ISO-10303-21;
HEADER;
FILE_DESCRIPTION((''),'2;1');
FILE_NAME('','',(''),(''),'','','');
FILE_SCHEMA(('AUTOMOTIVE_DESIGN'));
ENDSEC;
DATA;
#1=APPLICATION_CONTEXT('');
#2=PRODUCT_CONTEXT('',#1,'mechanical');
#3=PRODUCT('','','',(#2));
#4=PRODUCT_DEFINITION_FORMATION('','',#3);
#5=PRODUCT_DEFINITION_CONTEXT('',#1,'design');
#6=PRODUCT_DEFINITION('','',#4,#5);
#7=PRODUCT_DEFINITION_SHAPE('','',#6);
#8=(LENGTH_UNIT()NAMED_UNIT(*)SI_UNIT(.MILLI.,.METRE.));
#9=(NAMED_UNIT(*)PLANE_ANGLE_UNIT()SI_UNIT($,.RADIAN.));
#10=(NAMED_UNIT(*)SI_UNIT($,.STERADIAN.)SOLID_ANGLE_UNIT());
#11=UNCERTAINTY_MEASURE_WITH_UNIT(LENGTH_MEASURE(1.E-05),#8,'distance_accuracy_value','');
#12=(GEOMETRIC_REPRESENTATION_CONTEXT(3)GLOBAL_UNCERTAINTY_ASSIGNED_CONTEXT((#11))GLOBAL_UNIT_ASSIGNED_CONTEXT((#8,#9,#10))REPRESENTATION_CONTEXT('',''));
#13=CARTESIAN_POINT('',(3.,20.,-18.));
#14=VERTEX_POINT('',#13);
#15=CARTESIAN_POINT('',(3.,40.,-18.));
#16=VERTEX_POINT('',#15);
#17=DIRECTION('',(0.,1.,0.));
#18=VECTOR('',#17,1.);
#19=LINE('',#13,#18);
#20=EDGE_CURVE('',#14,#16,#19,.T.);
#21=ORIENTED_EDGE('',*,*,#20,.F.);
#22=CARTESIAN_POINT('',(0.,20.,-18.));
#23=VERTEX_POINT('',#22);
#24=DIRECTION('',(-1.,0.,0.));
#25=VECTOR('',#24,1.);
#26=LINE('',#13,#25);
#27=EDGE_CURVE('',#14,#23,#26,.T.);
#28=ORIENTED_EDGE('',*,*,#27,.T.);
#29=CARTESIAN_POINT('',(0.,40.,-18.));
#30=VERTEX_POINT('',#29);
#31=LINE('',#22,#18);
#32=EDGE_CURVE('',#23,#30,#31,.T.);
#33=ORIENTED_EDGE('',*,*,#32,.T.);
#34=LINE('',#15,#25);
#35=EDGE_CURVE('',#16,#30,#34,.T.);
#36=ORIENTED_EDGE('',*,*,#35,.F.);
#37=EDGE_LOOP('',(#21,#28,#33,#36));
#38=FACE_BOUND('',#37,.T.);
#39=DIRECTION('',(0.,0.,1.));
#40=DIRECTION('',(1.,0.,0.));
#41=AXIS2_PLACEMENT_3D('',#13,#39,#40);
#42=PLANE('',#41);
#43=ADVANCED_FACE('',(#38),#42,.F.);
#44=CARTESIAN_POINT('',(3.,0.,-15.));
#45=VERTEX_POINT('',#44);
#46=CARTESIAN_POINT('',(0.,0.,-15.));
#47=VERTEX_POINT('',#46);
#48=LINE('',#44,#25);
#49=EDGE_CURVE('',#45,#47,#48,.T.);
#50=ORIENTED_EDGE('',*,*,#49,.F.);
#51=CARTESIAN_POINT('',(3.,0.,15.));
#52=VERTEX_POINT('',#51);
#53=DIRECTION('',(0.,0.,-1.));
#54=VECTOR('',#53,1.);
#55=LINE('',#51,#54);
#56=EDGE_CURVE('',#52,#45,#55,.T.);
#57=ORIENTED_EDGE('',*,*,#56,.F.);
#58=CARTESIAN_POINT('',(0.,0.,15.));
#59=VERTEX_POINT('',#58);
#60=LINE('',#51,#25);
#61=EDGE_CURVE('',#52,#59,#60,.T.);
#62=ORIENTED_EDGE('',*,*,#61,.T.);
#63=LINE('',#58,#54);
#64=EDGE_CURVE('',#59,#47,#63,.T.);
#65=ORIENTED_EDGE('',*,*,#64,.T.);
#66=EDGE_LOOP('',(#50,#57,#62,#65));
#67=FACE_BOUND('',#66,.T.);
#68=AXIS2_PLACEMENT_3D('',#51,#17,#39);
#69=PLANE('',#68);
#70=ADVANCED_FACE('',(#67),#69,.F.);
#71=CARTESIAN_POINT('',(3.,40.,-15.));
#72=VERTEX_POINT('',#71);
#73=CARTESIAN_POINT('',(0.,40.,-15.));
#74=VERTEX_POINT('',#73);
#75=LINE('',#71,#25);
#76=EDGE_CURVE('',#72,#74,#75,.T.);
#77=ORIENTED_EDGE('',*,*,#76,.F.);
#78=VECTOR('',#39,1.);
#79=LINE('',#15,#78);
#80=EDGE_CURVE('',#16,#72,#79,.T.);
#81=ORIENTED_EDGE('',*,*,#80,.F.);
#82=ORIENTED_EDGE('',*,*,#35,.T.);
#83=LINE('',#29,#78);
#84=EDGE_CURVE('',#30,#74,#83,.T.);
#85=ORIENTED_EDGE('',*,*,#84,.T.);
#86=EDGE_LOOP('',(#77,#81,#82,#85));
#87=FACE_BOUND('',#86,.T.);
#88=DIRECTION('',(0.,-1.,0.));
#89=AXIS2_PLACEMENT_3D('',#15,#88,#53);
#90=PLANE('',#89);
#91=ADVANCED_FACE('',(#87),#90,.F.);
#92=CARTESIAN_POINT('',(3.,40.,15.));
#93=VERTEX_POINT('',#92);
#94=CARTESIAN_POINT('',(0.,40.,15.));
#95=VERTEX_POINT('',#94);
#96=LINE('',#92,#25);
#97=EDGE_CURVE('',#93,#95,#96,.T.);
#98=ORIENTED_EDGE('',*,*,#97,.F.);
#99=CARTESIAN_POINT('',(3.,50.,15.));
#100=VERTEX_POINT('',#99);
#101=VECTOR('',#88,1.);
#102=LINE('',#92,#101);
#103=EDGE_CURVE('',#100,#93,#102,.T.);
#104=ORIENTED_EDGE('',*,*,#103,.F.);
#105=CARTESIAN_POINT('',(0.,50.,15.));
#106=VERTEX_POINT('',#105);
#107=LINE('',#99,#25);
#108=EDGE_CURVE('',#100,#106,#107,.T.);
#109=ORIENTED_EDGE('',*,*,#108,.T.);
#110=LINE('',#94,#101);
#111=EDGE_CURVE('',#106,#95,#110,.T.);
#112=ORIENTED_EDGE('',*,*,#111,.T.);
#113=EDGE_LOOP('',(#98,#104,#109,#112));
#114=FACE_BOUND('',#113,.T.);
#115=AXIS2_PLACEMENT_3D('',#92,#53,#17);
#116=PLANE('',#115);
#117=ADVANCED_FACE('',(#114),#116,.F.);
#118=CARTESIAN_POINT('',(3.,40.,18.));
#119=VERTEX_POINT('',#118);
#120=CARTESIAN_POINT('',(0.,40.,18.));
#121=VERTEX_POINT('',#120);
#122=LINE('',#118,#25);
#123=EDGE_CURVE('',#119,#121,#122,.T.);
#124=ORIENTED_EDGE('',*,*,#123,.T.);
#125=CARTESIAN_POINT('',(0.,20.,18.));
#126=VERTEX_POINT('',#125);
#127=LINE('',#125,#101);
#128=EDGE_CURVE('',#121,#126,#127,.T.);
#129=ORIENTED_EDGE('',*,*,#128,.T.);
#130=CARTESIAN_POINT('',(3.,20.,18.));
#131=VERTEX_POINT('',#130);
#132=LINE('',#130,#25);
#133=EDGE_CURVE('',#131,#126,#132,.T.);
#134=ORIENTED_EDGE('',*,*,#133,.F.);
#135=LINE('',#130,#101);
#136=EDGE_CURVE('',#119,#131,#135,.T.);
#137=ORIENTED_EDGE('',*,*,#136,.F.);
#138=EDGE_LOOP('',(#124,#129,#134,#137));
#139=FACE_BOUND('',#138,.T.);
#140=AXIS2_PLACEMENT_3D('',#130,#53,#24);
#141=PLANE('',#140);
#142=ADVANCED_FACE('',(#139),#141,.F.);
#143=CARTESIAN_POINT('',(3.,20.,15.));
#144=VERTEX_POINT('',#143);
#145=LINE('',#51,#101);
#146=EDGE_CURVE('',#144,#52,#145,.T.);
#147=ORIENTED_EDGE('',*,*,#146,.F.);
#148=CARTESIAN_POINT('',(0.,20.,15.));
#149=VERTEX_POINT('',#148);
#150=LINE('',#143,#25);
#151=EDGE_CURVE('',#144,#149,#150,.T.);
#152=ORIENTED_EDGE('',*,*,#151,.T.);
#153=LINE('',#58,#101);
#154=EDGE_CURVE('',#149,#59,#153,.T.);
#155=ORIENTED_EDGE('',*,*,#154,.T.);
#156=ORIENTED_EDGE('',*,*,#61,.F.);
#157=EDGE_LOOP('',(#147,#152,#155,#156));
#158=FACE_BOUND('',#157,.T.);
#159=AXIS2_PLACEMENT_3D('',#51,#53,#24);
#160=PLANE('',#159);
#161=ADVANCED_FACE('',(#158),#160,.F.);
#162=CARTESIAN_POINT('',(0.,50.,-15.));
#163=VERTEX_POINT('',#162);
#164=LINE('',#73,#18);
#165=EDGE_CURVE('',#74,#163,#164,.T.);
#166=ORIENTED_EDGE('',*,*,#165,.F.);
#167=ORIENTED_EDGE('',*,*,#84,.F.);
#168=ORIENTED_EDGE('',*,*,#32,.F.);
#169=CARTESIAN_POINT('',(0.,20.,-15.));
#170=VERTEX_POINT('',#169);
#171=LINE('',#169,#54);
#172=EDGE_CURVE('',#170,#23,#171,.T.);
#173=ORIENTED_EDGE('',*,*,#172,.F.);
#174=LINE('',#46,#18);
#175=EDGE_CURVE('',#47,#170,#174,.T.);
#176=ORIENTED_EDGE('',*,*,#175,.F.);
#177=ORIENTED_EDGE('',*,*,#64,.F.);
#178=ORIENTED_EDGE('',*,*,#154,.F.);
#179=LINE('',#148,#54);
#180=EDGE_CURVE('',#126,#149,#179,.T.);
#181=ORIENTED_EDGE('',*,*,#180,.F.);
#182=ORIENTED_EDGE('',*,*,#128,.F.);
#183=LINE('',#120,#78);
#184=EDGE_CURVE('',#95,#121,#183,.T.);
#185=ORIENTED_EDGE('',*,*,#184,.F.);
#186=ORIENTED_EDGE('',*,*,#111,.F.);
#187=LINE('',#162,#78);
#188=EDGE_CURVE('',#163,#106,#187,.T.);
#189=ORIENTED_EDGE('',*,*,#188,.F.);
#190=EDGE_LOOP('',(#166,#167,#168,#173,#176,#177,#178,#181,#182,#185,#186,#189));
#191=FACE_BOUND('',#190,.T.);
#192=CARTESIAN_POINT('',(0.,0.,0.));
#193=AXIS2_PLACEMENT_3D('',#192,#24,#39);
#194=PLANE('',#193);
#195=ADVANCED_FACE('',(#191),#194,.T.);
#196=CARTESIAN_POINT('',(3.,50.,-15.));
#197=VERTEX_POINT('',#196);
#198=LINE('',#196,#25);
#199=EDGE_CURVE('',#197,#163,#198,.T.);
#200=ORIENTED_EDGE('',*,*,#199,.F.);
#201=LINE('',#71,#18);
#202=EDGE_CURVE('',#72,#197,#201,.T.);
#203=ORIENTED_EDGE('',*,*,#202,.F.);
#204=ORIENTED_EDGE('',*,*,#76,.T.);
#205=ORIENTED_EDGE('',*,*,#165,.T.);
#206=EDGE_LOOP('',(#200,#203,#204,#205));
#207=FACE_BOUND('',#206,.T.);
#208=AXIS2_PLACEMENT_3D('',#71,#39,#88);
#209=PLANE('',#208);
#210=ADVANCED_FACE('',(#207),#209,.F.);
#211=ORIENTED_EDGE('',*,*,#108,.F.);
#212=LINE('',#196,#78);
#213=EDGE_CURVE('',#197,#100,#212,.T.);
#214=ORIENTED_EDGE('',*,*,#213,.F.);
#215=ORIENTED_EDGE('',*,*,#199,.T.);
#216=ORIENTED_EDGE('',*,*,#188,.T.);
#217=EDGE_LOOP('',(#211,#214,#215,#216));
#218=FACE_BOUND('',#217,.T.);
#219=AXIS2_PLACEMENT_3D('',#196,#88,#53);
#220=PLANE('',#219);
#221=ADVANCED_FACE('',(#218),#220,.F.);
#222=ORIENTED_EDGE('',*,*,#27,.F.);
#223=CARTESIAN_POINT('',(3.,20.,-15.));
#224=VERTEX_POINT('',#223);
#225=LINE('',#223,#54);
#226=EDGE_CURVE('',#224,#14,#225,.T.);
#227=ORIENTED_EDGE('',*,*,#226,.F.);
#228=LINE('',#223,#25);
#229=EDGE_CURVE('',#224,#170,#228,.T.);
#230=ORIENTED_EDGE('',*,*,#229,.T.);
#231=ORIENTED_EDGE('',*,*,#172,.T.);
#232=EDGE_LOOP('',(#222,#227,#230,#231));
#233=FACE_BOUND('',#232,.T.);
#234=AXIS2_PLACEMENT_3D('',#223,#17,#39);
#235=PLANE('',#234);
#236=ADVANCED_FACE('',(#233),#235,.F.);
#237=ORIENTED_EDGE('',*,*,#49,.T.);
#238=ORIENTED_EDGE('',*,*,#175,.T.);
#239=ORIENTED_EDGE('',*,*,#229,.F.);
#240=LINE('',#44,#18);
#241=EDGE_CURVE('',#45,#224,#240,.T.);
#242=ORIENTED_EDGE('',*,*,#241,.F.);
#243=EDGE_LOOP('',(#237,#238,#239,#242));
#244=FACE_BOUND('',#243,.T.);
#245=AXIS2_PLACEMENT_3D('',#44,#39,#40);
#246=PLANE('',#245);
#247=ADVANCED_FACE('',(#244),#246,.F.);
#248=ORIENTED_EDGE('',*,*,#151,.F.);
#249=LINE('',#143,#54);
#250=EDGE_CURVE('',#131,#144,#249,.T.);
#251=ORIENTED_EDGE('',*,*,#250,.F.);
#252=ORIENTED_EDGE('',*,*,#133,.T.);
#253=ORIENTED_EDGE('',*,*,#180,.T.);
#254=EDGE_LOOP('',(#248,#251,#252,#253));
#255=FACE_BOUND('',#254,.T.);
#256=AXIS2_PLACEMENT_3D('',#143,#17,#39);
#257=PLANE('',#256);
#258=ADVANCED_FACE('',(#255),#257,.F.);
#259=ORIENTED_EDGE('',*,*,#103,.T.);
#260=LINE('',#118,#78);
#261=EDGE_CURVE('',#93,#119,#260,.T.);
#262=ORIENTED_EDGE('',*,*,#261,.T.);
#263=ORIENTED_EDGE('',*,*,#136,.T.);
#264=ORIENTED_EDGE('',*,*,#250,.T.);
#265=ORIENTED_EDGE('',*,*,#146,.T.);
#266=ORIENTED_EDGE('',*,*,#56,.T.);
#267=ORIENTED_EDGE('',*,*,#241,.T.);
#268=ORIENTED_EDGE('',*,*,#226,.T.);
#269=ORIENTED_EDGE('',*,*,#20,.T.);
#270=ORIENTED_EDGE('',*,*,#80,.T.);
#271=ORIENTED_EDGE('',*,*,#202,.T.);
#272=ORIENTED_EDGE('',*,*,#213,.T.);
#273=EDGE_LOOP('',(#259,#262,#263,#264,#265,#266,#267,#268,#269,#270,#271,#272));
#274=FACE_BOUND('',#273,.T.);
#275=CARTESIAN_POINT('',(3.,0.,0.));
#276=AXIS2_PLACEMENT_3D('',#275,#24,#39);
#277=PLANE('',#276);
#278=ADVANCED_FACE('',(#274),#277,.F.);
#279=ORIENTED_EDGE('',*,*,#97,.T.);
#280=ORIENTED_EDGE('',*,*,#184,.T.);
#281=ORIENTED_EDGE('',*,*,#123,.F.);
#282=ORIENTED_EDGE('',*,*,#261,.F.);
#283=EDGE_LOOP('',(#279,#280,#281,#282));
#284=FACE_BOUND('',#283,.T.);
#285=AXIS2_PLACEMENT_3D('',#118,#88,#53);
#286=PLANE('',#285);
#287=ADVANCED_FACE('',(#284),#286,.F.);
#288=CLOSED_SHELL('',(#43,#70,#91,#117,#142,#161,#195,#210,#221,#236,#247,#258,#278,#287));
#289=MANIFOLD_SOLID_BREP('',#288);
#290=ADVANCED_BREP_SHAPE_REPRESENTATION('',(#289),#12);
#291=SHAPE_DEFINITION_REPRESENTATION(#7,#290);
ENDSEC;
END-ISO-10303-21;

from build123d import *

# Parameters (mm, degrees)
BOSS_EXTRUDE1_DEPTH = 3


with BuildPart() as part:
    # Sketch1 → Boss-Extrude1 (new body)
    with BuildSketch(Plane(origin=(0, 0, 0), x_dir=(0, 0, -1), z_dir=(1, 0, 0))):
        Polygon((-15, 0), (15, 0), (15, 20), (18, 20), (18, 40), (15, 40), (15, 50), (-15, 50), (-15, 40), (-18, 40), (-18, 20), (-15, 20), align=None)
    extrude(amount=BOSS_EXTRUDE1_DEPTH)


solid = part.part
